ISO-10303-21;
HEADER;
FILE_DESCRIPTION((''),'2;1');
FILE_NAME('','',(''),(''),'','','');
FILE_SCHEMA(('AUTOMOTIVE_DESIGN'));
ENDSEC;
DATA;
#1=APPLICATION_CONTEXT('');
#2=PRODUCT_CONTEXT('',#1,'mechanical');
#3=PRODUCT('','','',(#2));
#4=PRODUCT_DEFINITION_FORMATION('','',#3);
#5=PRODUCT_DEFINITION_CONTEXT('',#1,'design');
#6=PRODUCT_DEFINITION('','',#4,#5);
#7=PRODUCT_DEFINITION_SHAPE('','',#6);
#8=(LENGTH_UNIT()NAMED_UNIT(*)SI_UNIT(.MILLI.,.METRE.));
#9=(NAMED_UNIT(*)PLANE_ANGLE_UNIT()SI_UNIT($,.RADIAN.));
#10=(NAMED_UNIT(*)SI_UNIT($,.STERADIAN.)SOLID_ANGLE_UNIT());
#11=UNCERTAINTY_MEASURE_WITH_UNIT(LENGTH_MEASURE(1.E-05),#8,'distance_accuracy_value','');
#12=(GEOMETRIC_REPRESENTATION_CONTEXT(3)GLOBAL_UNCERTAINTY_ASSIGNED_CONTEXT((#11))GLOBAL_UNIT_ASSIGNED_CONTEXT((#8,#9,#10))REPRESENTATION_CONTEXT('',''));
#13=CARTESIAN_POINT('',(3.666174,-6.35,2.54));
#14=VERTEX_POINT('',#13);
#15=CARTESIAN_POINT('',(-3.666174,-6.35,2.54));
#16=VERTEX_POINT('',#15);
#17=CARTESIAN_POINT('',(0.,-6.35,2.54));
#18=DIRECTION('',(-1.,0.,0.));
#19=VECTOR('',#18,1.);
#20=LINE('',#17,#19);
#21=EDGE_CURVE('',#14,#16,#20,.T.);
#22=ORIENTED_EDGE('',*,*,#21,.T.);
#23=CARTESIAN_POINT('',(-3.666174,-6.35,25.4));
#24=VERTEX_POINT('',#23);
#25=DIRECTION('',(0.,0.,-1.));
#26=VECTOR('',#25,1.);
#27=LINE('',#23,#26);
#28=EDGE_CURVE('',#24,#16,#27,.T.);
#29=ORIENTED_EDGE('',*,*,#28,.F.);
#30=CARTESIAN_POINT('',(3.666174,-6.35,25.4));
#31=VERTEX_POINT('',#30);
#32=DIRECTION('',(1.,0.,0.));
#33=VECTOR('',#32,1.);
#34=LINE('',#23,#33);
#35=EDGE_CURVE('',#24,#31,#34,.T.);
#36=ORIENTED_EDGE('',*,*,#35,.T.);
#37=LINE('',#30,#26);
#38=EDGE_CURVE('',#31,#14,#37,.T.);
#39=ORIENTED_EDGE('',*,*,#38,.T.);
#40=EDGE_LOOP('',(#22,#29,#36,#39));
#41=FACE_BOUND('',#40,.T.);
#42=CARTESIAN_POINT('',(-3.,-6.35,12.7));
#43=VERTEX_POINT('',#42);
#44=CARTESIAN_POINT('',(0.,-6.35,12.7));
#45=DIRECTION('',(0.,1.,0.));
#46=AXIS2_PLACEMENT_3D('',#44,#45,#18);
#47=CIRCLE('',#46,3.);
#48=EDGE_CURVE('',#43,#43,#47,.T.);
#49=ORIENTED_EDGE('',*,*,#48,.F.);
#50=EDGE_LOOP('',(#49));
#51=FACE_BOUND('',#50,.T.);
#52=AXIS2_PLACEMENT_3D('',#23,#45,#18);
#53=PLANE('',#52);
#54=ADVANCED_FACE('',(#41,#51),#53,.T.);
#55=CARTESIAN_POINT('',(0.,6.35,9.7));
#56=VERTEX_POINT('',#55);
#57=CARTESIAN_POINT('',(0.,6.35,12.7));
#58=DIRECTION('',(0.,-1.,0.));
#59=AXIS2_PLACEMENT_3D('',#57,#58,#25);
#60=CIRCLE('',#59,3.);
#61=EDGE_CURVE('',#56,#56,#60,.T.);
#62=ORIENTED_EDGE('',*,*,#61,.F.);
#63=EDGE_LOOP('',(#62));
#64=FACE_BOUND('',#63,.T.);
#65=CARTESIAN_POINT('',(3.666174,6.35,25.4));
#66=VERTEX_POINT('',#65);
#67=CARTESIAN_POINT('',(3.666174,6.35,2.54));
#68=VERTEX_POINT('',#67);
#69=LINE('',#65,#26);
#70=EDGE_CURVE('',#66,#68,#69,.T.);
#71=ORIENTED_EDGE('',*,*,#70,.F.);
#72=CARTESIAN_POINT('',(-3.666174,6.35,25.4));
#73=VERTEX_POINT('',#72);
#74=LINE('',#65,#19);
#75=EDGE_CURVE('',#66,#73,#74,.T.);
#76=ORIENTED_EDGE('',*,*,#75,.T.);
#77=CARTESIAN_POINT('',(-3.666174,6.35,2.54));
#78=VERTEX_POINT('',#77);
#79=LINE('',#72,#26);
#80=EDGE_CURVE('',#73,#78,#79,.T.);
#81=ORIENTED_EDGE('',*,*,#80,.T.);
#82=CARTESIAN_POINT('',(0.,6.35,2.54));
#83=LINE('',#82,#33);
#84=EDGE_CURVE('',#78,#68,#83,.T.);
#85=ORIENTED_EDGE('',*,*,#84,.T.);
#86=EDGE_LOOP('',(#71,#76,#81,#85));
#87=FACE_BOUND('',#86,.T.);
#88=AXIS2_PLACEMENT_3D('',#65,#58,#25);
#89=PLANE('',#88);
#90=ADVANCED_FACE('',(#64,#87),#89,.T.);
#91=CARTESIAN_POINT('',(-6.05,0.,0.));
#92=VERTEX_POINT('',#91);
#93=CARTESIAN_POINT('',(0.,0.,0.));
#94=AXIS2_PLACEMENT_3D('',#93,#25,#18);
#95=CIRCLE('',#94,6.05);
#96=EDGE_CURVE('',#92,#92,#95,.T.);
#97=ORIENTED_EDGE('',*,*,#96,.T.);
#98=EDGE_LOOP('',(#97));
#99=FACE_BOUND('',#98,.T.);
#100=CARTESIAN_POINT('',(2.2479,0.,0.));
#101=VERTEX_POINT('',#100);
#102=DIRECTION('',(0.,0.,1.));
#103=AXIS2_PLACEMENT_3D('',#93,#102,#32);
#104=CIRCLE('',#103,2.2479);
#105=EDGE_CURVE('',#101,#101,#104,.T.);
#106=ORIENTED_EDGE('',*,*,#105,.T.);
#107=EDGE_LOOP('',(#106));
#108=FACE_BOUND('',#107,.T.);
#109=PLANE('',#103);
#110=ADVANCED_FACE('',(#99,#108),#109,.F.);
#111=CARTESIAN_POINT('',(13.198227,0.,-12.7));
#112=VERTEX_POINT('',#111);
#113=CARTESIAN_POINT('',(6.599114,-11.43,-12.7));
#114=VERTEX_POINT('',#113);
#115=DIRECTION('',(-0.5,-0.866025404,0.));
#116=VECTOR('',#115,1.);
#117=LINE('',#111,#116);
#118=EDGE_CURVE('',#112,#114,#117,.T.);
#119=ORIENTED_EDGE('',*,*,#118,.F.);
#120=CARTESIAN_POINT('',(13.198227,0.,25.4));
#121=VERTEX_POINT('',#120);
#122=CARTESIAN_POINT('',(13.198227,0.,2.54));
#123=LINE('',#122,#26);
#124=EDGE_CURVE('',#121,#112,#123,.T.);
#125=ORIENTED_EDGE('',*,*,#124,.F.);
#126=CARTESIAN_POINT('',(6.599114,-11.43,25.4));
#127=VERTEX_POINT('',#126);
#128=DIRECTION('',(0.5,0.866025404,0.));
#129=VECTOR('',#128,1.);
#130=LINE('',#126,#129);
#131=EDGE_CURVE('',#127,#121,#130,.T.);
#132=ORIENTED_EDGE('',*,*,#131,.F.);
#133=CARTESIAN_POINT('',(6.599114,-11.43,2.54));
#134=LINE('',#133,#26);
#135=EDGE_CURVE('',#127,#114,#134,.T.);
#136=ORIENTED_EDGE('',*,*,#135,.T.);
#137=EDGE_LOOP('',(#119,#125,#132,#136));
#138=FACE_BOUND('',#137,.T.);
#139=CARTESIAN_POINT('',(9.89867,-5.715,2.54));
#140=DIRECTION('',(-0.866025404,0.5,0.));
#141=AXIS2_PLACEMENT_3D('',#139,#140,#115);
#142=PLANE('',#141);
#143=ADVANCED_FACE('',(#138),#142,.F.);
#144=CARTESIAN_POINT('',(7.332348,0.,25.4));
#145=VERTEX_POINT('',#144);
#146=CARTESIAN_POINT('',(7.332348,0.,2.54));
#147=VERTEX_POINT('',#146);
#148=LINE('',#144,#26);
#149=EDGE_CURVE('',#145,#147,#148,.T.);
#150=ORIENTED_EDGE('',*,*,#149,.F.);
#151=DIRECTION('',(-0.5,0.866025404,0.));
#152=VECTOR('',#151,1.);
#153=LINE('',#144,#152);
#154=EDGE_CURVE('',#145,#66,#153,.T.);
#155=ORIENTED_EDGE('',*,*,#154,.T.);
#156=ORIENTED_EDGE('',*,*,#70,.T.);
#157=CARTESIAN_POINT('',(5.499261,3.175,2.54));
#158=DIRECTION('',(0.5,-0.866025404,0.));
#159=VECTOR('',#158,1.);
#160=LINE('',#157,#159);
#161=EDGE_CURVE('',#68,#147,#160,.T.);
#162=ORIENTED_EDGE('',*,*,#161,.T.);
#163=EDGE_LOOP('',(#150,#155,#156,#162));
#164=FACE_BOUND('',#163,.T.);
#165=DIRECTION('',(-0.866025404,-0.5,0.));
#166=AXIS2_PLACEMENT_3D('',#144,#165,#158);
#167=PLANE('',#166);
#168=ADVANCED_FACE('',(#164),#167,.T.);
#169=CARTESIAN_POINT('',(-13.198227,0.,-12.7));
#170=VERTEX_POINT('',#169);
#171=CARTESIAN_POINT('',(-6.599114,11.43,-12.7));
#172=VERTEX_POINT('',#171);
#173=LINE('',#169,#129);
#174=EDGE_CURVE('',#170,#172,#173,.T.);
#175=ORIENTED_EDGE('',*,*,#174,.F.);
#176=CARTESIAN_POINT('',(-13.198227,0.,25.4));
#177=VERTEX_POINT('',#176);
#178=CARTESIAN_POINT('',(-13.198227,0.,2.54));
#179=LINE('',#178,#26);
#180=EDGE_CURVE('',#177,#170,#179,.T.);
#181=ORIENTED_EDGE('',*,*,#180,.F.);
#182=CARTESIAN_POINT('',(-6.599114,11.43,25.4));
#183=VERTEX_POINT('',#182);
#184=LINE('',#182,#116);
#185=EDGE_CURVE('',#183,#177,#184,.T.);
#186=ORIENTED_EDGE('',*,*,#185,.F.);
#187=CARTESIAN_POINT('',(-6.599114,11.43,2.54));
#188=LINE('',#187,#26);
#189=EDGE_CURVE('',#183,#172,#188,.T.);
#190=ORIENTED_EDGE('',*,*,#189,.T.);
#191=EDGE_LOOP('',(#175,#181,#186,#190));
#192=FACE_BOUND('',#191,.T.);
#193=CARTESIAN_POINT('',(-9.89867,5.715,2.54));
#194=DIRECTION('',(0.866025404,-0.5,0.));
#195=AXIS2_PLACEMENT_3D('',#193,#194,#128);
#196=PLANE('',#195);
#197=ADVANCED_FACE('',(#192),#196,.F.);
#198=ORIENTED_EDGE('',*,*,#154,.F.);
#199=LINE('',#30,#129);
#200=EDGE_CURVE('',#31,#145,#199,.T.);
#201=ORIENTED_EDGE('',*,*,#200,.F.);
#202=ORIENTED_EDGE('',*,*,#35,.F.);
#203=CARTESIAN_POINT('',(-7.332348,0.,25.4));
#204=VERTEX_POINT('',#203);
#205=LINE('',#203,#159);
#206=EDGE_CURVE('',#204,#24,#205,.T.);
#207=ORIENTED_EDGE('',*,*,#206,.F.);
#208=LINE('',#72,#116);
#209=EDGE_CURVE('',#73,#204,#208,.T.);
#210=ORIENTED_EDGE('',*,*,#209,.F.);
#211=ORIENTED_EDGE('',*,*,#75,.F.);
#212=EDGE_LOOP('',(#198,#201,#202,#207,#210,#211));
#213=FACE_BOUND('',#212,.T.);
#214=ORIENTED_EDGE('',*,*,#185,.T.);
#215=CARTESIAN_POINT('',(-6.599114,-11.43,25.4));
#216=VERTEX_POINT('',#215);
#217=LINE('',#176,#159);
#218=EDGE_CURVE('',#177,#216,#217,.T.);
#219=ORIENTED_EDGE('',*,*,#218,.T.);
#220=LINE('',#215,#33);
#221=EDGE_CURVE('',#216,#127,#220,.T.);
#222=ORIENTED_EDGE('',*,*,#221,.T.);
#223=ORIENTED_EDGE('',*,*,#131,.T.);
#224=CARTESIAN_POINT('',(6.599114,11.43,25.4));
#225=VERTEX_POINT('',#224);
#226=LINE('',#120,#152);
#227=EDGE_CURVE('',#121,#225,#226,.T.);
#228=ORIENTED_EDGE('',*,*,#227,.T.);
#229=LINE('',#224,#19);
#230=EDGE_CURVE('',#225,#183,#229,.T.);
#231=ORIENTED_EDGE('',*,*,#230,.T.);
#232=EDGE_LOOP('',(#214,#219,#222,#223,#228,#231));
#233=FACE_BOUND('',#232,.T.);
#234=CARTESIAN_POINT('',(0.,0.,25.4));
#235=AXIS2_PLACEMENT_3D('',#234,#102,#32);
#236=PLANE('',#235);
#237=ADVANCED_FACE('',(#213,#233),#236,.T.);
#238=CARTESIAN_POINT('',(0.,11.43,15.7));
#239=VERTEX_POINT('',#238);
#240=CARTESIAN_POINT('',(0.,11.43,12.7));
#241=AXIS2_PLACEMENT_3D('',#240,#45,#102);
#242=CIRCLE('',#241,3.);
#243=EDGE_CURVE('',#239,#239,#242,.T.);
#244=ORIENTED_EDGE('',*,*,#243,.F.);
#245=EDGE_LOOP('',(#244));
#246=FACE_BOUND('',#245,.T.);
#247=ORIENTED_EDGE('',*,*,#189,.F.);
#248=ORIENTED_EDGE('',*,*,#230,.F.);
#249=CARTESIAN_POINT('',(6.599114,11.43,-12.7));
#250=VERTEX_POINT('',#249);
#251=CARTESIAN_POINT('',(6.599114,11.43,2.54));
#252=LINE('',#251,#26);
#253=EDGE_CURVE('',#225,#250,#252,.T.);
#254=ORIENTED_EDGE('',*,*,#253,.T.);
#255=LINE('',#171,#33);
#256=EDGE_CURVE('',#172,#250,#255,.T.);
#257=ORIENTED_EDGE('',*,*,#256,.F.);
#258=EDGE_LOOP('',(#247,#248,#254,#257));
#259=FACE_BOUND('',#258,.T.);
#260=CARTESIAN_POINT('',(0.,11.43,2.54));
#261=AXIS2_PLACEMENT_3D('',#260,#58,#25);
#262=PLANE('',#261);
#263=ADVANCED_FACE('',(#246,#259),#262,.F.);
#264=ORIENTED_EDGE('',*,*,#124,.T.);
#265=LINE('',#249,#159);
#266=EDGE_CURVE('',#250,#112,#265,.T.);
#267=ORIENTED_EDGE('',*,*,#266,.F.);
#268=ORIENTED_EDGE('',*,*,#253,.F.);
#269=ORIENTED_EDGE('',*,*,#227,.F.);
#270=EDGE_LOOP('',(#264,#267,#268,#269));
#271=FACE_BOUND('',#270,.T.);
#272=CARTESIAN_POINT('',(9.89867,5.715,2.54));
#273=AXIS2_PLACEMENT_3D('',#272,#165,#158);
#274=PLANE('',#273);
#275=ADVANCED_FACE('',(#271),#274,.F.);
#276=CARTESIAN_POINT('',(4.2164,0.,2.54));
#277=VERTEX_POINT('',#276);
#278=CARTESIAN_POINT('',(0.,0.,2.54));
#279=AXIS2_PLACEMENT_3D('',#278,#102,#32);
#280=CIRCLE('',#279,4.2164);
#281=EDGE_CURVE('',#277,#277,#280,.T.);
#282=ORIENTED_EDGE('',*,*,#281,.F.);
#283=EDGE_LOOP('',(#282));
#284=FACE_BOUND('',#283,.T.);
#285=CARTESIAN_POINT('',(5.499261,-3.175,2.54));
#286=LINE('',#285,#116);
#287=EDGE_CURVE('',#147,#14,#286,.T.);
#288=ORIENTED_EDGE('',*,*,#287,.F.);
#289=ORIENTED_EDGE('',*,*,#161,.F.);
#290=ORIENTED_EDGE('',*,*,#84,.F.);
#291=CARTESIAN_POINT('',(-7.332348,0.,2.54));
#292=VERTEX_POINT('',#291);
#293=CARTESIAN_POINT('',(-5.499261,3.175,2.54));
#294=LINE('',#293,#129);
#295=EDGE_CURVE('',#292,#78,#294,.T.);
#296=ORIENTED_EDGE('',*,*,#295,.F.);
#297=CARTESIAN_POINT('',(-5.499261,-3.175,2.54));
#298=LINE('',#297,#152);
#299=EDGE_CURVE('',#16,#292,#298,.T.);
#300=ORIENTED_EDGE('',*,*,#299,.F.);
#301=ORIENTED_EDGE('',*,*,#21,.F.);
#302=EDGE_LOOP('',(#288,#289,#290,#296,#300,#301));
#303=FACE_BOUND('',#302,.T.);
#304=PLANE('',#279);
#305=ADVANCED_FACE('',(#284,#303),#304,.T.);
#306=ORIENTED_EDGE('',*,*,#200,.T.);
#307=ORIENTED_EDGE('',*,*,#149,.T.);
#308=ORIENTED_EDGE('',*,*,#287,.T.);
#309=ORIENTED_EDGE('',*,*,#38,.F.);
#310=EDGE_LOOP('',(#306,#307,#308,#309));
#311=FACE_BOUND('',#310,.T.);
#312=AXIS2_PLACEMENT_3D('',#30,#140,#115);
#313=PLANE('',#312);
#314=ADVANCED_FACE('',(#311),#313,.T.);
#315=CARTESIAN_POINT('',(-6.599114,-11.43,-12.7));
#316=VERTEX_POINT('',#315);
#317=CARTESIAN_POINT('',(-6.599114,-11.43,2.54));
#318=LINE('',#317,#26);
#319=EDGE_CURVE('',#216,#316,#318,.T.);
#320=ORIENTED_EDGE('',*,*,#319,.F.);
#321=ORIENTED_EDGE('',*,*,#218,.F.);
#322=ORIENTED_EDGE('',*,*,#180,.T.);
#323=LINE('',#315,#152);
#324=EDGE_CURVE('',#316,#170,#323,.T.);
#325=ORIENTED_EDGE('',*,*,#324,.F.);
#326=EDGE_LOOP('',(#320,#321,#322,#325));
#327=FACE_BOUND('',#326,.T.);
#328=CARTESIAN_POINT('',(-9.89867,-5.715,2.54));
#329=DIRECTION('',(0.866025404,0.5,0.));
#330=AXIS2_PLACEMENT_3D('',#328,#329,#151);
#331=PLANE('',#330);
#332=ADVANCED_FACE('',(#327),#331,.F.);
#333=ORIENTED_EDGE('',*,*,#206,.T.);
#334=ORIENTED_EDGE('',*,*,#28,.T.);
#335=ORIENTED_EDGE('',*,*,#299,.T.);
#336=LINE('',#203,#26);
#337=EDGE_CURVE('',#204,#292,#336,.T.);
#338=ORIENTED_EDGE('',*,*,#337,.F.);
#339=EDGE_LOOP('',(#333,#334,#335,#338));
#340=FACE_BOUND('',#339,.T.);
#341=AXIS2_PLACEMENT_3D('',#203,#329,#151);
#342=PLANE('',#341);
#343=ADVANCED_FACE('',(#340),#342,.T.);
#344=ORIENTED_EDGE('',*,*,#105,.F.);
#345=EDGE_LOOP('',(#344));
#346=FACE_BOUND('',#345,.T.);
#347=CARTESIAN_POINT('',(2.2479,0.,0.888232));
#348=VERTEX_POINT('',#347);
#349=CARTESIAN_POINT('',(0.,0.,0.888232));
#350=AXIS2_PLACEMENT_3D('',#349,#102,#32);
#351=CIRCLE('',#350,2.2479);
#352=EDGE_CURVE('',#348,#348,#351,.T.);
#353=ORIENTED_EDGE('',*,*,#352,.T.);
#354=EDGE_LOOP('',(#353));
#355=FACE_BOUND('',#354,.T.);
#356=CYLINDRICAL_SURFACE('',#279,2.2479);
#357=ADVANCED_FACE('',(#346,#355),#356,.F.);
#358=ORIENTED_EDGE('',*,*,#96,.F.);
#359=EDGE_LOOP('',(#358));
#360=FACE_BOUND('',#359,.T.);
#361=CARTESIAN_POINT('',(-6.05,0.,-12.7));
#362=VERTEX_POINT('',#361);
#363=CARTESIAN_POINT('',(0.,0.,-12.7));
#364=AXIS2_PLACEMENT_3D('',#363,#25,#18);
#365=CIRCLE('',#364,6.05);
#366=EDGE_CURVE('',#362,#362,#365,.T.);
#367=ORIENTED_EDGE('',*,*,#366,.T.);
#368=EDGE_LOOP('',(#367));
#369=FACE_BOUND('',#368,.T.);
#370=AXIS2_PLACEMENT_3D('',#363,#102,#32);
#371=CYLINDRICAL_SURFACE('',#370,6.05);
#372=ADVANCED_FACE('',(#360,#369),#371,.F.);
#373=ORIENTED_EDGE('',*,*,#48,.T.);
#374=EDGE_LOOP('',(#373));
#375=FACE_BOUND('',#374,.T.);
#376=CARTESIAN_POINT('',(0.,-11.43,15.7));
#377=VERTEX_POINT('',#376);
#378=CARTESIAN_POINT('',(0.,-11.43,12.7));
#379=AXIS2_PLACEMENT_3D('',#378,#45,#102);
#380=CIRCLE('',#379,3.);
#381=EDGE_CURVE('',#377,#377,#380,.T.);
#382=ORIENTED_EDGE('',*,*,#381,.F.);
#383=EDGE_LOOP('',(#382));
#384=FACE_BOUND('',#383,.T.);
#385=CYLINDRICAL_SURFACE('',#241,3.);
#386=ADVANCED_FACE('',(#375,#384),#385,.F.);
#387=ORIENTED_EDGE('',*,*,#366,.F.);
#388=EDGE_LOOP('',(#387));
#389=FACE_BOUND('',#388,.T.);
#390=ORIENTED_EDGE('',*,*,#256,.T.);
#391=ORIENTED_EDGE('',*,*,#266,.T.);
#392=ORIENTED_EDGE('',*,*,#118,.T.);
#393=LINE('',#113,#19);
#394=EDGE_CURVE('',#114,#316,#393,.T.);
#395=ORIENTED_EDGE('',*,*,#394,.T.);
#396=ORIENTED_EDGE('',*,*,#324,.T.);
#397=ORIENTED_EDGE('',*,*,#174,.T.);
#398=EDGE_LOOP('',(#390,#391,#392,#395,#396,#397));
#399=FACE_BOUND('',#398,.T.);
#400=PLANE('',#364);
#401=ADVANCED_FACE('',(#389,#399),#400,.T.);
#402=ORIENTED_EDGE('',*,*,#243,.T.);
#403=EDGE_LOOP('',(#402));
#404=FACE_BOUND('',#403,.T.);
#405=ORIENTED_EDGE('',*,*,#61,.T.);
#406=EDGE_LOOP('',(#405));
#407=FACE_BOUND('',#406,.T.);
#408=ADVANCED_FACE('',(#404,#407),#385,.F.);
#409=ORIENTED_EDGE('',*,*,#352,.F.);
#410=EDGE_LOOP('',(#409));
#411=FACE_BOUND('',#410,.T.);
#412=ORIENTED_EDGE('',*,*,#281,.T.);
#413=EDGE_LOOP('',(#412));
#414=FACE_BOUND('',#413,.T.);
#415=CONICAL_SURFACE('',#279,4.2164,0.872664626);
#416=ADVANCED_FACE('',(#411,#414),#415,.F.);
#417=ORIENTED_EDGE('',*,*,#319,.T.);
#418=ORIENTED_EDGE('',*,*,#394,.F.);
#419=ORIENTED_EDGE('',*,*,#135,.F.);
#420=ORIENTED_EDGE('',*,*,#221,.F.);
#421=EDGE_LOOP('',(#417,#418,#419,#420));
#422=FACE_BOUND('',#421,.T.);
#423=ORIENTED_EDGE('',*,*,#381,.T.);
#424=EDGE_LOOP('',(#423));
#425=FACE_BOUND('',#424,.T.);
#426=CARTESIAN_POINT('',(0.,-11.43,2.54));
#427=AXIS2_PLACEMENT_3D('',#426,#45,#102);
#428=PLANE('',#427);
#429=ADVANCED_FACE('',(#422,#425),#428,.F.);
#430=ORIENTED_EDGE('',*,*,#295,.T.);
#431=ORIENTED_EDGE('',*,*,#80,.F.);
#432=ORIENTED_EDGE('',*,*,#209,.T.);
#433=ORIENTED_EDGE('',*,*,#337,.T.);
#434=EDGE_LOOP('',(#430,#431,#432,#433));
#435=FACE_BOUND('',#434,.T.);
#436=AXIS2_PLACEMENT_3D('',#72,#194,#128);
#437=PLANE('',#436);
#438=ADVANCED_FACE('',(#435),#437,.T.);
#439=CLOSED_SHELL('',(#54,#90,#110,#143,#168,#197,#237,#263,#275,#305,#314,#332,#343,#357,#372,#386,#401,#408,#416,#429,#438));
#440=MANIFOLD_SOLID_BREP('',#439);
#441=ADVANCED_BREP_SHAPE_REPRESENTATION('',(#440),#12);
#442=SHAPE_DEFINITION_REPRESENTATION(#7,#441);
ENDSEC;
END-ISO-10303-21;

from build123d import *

# Parameters (mm, degrees)
BOSS_EXTRUDE1_DEPTH                       = 2.54
CSK_FOR_8_FLAT_HEAD_MACHINE_SCREW_2_COUNT = 2
CSK_FOR_8_FLAT_HEAD_MACHINE_SCREW_2_PITCH = 18.548356757
BOSS_EXTRUDE2_DEPTH                       = 25.4
M7X1_0_TAPPED_HOLE1_D                     = 6
SKETCH6_R                                 = 6.05
BOSS_EXTRUDE3_DEPTH                       = 12.7


with BuildPart() as part:
    # Sketch1 → Boss-Extrude1 (new body)
    with BuildSketch(Plane.XY):
        Polygon((13.198227154, 0), (6.599113577, 11.43), (-6.599113577, 11.43), (-13.198227154, 0), (-6.599113577, -11.43), (6.599113577, -11.43), align=None)
    extrude(amount=BOSS_EXTRUDE1_DEPTH)

    # Sketch3 → CSK for #8 Flat Head Machine Screw (100)1 (revolve, cut)
    with BuildSketch(Plane(origin=(0, 0, 2.54), x_dir=(0, -1, 0), z_dir=(1, 0, 0))):
        Polygon((0, 0), (0, 2.54), (2.2479, 2.54), (2.2479, 1.651767624), (4.2164, 0), align=None)
    csk_for_8_flat_head_machine_screw_100 = revolve(axis=Axis((0, 0, 8.89), (0, 0, -1)), mode=Mode.SUBTRACT)

    # CSK for _8 Flat Head Machine Screw _ 2: CSK for #8 Flat Head Machine Screw (100)1 ×2
    with Locations(*[Vector(-0.9274068813992224, 0.37405410883101997, 0) * (i * CSK_FOR_8_FLAT_HEAD_MACHINE_SCREW_2_PITCH) for i in range(1, CSK_FOR_8_FLAT_HEAD_MACHINE_SCREW_2_COUNT)]):
        add(csk_for_8_flat_head_machine_screw_100, mode=Mode.SUBTRACT)

    # Sketch1<4> → Boss-Extrude2 (add)
    with BuildSketch(Plane.XY):
        Polygon((6.599113577, 11.43), (-6.599113577, 11.43), (-13.198227154, 0), (-6.599113577, -11.43), (6.599113577, -11.43), (13.198227154, 0), align=None)
        Polygon((3.666174209, -6.35), (7.332348419, 0), (3.666174209, 6.35), (-3.666174209, 6.35), (-7.332348419, 0), (-3.666174209, -6.35), align=None, mode=Mode.SUBTRACT)
    extrude(amount=BOSS_EXTRUDE2_DEPTH)

    # M7x1.0 Tapped Hole1 (through all)
    with Locations(Plane(origin=(0, 11.43, 0), x_dir=(1, 0, 0), z_dir=(0, 1, 0))):
        with Locations((0, -12.7)):
            Hole(M7X1_0_TAPPED_HOLE1_D / 2)

    # Sketch6 → Boss-Extrude3 (add)
    with BuildSketch(Plane(origin=(0, 0, 0), x_dir=(-1, 0, 0), z_dir=(0, 0, -1))):
        Polygon((-13.198227154, 0), (-6.599113577, -11.43), (6.599113577, -11.43), (13.198227154, 0), (6.599113577, 11.43), (-6.599113577, 11.43), align=None)
        Circle(SKETCH6_R, mode=Mode.SUBTRACT)
    extrude(amount=BOSS_EXTRUDE3_DEPTH)


solid = part.part
